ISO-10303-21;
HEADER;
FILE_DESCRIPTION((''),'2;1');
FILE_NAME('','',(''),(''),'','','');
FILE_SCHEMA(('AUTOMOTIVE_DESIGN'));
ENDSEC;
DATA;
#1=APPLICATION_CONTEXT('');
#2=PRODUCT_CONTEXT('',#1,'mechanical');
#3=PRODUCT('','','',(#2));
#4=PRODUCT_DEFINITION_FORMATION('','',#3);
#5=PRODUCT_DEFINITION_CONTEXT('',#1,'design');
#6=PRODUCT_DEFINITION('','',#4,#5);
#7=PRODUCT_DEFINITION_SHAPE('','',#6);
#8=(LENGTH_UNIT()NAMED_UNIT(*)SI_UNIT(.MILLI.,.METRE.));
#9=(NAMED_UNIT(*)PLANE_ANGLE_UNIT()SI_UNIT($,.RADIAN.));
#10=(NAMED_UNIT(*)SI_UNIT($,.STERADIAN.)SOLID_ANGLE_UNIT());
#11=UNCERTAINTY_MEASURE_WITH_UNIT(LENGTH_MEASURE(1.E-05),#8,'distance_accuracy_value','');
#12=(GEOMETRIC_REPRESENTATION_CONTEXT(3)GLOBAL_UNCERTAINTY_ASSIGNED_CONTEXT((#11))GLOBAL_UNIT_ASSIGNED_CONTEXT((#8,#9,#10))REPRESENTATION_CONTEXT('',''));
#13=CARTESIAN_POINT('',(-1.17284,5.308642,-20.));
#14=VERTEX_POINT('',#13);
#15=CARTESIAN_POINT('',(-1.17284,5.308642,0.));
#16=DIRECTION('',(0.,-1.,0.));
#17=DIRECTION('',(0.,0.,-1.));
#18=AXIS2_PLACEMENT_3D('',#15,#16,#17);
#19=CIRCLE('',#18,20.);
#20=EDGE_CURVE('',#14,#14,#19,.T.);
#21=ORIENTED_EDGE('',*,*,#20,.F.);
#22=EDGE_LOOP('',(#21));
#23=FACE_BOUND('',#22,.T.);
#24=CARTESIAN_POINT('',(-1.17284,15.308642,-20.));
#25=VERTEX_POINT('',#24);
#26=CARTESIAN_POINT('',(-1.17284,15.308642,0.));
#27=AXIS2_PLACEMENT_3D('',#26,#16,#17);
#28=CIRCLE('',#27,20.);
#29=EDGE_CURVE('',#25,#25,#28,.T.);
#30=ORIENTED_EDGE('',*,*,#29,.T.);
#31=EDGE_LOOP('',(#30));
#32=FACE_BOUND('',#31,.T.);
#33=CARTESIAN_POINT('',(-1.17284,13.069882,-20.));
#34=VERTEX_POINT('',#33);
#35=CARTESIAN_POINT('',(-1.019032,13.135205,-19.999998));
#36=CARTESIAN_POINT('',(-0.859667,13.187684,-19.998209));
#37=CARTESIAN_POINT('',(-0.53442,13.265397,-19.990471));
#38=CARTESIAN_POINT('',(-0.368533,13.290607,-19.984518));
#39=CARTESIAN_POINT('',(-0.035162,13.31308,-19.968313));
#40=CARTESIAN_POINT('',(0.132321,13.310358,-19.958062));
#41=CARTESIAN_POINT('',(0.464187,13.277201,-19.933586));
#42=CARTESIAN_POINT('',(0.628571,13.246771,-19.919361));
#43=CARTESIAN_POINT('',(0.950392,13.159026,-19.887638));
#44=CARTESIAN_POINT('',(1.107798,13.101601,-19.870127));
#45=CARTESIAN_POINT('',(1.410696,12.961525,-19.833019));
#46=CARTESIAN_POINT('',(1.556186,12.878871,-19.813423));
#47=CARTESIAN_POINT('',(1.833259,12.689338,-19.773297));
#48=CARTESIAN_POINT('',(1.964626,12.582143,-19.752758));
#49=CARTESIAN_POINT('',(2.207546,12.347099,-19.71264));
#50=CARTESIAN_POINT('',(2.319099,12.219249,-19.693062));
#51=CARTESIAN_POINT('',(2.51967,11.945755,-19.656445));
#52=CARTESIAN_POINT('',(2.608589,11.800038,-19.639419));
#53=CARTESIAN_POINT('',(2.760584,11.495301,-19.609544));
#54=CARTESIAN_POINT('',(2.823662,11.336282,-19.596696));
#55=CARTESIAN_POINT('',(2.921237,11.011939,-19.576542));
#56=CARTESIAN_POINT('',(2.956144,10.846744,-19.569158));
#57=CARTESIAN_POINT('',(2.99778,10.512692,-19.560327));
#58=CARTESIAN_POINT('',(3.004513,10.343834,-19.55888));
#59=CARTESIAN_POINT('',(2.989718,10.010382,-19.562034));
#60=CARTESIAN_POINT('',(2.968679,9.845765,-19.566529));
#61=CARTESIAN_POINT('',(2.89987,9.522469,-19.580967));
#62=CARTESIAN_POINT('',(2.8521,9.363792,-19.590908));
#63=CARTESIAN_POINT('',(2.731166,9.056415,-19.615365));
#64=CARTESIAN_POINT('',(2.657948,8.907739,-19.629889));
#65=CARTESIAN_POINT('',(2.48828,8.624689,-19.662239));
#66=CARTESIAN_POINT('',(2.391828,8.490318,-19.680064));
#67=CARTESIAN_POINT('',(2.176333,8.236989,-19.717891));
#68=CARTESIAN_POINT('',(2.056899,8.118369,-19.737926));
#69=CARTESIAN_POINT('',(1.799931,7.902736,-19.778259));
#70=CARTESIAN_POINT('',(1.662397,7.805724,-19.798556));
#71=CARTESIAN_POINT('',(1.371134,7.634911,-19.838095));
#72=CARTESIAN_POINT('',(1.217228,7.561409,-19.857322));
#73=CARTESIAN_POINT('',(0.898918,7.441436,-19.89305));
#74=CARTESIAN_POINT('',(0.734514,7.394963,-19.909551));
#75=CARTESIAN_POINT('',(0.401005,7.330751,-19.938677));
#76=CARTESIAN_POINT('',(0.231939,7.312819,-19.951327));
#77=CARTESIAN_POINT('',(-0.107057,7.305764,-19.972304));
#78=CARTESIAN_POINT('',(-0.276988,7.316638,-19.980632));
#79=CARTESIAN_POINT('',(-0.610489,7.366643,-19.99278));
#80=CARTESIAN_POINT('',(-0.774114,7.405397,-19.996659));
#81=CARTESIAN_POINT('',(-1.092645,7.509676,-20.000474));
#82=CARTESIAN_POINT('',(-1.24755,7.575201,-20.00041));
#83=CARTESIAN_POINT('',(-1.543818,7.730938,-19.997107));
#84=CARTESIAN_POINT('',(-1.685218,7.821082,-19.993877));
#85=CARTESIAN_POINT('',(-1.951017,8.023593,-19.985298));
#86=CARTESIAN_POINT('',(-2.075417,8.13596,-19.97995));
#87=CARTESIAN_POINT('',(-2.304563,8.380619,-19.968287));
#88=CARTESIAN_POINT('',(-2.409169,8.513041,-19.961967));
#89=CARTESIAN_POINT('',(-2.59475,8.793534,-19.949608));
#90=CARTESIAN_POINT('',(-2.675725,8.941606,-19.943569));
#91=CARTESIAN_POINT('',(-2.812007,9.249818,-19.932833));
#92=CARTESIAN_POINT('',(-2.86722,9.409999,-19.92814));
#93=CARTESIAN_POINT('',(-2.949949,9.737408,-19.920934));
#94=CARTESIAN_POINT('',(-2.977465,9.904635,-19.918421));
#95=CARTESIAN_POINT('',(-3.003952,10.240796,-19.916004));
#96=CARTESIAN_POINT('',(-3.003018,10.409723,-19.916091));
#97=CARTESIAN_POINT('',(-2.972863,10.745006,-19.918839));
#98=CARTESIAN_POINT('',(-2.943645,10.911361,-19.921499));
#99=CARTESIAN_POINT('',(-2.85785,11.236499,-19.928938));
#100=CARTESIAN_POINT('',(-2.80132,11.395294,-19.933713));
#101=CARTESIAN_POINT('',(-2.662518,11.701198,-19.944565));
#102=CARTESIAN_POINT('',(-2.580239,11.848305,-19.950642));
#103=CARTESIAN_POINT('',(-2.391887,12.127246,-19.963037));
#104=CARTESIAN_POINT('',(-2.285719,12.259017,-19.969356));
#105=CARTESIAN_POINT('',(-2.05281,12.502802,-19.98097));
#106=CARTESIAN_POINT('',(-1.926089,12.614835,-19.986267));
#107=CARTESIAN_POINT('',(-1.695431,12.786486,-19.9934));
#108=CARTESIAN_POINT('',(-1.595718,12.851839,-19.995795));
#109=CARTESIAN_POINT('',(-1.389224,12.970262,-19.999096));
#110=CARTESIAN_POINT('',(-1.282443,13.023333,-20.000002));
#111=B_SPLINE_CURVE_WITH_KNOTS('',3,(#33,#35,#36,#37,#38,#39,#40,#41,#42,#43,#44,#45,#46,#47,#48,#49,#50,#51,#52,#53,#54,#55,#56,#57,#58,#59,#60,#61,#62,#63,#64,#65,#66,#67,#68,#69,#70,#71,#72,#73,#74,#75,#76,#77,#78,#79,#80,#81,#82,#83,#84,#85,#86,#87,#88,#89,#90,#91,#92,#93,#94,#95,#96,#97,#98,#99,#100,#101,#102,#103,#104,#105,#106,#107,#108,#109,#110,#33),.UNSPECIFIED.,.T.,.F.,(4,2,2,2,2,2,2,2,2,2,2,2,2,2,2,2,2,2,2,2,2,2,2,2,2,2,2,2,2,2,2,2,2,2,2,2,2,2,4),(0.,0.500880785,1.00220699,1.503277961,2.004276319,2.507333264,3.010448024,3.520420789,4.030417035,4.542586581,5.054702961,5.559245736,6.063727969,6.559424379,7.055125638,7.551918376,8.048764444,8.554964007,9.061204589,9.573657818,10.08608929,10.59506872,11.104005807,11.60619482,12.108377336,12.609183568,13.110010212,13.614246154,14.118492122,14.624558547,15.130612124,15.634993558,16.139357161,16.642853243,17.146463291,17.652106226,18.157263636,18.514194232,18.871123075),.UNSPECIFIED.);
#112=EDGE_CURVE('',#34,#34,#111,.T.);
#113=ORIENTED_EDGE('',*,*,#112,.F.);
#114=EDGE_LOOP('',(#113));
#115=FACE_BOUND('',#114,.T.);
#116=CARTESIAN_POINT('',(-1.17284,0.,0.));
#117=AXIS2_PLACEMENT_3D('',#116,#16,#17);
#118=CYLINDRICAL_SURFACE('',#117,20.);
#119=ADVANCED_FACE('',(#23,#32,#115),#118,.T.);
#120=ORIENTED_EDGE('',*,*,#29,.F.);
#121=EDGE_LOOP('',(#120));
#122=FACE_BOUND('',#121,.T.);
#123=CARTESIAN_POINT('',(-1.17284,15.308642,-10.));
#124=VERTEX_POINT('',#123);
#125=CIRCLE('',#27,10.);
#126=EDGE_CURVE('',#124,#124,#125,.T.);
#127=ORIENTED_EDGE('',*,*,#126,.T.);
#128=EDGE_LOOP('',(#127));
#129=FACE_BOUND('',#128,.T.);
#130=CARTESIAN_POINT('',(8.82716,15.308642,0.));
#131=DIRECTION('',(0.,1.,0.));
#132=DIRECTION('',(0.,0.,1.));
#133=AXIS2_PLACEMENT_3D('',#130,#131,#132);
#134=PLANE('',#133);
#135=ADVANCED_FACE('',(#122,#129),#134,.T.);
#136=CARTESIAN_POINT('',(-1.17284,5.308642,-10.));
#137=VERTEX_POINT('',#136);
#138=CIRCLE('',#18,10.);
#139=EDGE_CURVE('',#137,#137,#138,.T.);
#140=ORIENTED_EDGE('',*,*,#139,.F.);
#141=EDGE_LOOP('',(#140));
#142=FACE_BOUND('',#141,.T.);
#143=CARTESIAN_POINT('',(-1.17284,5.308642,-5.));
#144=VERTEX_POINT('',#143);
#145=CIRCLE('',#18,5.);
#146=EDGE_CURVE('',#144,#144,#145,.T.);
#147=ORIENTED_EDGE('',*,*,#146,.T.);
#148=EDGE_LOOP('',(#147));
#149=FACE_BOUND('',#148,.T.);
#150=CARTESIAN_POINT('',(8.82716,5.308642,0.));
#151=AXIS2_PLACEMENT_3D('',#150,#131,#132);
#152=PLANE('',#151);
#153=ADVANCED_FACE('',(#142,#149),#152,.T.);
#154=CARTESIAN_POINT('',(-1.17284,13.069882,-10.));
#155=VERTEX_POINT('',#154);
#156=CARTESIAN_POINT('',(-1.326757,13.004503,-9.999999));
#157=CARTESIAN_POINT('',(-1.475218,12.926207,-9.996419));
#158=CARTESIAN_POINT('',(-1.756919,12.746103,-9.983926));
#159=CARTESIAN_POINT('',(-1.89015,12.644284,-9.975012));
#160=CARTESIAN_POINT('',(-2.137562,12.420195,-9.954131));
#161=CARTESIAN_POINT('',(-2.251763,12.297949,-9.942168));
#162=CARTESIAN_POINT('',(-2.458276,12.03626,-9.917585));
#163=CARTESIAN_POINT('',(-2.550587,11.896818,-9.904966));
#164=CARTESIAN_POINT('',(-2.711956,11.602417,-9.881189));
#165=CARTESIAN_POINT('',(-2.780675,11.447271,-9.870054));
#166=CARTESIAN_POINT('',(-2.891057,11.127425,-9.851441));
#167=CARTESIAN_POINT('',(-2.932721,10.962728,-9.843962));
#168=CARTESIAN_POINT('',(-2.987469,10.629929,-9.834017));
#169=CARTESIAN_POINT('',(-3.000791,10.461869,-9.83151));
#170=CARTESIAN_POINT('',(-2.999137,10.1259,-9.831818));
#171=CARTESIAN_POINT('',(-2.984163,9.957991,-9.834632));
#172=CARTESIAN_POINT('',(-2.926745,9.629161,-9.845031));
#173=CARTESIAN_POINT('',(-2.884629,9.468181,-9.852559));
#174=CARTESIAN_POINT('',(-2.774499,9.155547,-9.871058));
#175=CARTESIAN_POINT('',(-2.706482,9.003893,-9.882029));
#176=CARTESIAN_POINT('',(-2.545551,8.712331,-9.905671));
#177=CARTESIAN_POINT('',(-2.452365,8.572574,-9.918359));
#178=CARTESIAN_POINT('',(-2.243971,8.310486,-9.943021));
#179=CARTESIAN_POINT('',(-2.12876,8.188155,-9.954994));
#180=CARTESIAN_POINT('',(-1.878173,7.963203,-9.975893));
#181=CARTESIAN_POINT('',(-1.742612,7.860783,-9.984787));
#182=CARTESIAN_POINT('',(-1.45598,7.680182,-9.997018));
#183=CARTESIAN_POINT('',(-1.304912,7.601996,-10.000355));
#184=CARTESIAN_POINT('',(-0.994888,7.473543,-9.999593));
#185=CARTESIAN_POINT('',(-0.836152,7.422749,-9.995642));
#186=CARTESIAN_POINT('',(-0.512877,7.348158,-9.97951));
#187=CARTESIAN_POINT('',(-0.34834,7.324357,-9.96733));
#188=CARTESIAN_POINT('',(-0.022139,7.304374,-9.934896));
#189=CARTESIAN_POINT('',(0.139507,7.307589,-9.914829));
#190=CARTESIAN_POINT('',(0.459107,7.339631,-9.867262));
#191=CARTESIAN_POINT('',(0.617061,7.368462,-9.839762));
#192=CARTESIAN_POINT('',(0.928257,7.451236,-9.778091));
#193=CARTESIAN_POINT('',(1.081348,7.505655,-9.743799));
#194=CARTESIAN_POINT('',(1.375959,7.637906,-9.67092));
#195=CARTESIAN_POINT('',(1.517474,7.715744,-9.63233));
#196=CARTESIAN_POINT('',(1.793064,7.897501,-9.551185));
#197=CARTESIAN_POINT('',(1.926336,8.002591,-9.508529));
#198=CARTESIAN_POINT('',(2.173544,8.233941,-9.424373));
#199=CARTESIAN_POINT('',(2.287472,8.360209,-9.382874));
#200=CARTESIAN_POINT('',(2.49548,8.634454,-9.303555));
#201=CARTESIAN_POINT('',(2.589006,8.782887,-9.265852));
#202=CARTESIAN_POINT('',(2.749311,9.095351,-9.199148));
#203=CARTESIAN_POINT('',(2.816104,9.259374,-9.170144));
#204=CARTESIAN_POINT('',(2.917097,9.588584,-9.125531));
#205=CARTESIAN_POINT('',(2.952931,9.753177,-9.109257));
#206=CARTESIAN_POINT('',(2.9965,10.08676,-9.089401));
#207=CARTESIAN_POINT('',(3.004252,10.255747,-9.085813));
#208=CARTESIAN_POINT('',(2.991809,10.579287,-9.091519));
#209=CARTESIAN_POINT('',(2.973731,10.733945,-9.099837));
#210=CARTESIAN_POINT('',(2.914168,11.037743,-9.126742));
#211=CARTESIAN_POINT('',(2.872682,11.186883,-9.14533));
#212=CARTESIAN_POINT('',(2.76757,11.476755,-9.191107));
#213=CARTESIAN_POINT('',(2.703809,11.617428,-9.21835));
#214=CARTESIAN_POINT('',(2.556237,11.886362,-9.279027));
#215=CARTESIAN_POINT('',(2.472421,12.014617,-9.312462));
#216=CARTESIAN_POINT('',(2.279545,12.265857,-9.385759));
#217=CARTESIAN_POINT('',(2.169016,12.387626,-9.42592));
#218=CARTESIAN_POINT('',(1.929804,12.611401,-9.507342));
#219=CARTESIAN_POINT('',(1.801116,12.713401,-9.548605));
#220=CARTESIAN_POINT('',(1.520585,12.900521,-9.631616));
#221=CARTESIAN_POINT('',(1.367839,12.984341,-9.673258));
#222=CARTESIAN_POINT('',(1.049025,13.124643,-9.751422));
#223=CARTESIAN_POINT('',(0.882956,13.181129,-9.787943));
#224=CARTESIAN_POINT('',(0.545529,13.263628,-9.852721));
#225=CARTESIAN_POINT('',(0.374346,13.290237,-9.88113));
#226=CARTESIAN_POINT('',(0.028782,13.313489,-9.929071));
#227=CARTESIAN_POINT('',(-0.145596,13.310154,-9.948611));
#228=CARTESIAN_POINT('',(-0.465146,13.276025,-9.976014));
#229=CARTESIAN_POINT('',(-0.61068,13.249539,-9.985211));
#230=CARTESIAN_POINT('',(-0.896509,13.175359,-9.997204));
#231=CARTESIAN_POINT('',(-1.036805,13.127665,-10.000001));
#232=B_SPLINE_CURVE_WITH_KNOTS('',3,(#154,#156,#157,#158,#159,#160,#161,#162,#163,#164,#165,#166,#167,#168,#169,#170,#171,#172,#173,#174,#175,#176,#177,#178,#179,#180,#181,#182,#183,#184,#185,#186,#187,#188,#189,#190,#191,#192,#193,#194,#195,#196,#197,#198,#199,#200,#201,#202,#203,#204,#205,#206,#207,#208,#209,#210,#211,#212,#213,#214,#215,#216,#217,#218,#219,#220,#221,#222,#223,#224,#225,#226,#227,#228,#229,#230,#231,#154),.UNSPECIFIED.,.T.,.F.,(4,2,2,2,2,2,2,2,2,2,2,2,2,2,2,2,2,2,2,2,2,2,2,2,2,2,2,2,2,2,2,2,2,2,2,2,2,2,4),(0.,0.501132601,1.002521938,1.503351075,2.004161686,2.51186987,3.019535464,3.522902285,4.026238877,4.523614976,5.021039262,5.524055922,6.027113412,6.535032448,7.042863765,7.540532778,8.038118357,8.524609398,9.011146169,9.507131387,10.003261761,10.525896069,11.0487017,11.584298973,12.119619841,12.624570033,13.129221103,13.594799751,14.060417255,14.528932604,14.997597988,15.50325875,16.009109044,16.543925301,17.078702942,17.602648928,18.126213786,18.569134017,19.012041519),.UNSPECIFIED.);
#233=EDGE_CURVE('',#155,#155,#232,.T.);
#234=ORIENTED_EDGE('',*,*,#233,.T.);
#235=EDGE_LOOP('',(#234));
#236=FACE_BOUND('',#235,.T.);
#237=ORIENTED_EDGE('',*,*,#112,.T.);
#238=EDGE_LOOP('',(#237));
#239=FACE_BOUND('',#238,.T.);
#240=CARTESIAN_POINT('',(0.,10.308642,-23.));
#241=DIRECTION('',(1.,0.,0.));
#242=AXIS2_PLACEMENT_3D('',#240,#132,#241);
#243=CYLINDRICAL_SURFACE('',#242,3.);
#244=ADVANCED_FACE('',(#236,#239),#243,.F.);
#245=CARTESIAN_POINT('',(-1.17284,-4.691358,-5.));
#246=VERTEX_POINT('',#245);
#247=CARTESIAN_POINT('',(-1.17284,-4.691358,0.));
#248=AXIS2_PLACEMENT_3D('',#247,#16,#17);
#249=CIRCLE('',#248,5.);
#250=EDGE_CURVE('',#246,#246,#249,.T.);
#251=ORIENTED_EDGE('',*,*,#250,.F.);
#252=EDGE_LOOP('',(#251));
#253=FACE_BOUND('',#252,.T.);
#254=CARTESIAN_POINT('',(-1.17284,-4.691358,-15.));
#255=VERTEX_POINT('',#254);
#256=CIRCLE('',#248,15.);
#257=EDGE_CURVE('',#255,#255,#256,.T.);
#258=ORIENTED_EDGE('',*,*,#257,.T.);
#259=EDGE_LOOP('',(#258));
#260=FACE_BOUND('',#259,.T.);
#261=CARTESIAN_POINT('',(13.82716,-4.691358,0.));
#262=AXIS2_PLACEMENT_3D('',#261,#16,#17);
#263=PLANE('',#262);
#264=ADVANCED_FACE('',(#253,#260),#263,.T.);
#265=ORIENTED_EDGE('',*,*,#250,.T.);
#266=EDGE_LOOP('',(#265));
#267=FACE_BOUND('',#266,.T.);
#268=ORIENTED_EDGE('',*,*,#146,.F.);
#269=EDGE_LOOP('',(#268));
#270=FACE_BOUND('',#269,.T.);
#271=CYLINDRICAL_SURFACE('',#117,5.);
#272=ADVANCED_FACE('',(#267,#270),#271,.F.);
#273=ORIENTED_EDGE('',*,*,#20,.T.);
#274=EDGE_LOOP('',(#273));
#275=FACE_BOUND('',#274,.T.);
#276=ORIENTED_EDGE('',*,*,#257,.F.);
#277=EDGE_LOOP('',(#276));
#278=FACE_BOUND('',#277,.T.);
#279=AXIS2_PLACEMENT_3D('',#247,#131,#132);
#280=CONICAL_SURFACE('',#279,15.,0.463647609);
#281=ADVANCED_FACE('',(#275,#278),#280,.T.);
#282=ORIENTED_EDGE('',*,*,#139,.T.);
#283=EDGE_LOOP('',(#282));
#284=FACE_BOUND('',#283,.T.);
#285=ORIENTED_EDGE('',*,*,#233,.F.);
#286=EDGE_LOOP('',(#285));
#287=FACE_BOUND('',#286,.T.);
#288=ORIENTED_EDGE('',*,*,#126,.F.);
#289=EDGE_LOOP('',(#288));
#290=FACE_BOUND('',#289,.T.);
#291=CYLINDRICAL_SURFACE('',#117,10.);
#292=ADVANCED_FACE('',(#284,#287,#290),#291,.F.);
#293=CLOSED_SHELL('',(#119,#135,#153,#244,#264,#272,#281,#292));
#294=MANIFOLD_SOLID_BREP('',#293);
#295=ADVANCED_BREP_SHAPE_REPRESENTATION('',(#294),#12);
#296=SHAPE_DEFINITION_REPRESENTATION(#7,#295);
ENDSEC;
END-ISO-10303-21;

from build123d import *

# Parameters (mm, degrees)
SKETCH2_R          = 3
CUT_EXTRUDE1_DEPTH = 23


with BuildPart() as part:
    # Sketch1 → Revolve1 (revolve)
    with BuildSketch(Plane.XY):
        Polygon((8.827160494, 15.308641975), (18.827160494, 15.308641975), (18.827160494, 5.308641975), (13.827160494, -4.691358025), (3.827160494, -4.691358025), (3.827160494, 5.308641975), (8.827160494, 5.308641975), align=None)
    revolve(axis=Axis((-1.172839506, 0, 0), (0, 1, 0)))

    # Sketch2 → Cut-Extrude1 (cut)
    with BuildSketch(Plane.XY):
        with Locations((0, 10.308641975)):
            Circle(SKETCH2_R)
    extrude(amount=-CUT_EXTRUDE1_DEPTH, mode=Mode.SUBTRACT)


solid = part.part
